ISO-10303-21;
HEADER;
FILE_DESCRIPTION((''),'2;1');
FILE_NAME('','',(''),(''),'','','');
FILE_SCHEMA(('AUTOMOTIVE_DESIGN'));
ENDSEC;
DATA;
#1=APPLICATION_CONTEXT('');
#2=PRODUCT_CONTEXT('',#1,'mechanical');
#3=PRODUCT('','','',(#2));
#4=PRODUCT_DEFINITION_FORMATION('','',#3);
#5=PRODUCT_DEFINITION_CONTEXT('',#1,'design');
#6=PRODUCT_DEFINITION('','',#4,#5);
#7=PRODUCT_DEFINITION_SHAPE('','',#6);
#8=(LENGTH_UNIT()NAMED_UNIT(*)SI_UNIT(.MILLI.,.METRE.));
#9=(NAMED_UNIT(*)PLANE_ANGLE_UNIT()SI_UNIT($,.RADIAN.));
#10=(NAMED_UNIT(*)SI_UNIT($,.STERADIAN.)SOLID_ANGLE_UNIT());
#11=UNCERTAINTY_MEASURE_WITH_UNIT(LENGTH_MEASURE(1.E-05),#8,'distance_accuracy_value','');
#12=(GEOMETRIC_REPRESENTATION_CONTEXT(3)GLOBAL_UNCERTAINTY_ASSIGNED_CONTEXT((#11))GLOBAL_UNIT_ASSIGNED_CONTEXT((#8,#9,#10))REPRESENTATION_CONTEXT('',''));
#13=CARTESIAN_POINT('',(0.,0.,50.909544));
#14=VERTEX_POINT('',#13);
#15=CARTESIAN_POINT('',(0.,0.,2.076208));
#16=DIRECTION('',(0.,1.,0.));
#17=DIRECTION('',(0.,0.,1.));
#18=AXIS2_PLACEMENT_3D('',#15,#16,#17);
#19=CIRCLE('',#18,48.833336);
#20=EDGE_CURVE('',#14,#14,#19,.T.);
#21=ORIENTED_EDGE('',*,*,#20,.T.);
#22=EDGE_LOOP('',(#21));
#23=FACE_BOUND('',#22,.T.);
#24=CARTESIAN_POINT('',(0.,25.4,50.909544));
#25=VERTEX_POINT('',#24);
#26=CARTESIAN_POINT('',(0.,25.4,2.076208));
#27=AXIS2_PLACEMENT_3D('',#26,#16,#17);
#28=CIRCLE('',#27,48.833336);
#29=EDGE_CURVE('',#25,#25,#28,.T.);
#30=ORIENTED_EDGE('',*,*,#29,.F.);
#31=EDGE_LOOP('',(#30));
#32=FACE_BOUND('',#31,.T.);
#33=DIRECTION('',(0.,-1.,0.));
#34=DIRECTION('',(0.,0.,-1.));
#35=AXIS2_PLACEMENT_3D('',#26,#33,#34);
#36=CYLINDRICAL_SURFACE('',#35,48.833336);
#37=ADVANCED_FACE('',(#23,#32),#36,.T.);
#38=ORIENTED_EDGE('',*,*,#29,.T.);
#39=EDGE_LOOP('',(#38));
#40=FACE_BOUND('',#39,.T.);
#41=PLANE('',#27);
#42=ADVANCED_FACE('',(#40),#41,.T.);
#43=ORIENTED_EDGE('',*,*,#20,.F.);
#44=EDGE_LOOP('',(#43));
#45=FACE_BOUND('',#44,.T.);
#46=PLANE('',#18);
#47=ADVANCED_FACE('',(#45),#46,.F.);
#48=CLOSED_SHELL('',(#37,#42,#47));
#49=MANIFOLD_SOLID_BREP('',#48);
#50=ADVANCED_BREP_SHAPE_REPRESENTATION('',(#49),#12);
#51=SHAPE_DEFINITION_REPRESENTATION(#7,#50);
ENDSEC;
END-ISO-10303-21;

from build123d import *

# Parameters (mm, degrees)
SKETCH1_R           = 48.833336451
BOSS_EXTRUDE1_DEPTH = 25.4


with BuildPart() as part:
    # Sketch1 → Boss-Extrude1 (new body)
    with BuildSketch(Plane(origin=(0, 0, 0), x_dir=(1, 0, 0), z_dir=(0, 1, 0))):
        with Locations(Location((0, -2.076207636, 0), (0, 0, 270))):
            Circle(SKETCH1_R)
    extrude(amount=BOSS_EXTRUDE1_DEPTH)


solid = part.part
